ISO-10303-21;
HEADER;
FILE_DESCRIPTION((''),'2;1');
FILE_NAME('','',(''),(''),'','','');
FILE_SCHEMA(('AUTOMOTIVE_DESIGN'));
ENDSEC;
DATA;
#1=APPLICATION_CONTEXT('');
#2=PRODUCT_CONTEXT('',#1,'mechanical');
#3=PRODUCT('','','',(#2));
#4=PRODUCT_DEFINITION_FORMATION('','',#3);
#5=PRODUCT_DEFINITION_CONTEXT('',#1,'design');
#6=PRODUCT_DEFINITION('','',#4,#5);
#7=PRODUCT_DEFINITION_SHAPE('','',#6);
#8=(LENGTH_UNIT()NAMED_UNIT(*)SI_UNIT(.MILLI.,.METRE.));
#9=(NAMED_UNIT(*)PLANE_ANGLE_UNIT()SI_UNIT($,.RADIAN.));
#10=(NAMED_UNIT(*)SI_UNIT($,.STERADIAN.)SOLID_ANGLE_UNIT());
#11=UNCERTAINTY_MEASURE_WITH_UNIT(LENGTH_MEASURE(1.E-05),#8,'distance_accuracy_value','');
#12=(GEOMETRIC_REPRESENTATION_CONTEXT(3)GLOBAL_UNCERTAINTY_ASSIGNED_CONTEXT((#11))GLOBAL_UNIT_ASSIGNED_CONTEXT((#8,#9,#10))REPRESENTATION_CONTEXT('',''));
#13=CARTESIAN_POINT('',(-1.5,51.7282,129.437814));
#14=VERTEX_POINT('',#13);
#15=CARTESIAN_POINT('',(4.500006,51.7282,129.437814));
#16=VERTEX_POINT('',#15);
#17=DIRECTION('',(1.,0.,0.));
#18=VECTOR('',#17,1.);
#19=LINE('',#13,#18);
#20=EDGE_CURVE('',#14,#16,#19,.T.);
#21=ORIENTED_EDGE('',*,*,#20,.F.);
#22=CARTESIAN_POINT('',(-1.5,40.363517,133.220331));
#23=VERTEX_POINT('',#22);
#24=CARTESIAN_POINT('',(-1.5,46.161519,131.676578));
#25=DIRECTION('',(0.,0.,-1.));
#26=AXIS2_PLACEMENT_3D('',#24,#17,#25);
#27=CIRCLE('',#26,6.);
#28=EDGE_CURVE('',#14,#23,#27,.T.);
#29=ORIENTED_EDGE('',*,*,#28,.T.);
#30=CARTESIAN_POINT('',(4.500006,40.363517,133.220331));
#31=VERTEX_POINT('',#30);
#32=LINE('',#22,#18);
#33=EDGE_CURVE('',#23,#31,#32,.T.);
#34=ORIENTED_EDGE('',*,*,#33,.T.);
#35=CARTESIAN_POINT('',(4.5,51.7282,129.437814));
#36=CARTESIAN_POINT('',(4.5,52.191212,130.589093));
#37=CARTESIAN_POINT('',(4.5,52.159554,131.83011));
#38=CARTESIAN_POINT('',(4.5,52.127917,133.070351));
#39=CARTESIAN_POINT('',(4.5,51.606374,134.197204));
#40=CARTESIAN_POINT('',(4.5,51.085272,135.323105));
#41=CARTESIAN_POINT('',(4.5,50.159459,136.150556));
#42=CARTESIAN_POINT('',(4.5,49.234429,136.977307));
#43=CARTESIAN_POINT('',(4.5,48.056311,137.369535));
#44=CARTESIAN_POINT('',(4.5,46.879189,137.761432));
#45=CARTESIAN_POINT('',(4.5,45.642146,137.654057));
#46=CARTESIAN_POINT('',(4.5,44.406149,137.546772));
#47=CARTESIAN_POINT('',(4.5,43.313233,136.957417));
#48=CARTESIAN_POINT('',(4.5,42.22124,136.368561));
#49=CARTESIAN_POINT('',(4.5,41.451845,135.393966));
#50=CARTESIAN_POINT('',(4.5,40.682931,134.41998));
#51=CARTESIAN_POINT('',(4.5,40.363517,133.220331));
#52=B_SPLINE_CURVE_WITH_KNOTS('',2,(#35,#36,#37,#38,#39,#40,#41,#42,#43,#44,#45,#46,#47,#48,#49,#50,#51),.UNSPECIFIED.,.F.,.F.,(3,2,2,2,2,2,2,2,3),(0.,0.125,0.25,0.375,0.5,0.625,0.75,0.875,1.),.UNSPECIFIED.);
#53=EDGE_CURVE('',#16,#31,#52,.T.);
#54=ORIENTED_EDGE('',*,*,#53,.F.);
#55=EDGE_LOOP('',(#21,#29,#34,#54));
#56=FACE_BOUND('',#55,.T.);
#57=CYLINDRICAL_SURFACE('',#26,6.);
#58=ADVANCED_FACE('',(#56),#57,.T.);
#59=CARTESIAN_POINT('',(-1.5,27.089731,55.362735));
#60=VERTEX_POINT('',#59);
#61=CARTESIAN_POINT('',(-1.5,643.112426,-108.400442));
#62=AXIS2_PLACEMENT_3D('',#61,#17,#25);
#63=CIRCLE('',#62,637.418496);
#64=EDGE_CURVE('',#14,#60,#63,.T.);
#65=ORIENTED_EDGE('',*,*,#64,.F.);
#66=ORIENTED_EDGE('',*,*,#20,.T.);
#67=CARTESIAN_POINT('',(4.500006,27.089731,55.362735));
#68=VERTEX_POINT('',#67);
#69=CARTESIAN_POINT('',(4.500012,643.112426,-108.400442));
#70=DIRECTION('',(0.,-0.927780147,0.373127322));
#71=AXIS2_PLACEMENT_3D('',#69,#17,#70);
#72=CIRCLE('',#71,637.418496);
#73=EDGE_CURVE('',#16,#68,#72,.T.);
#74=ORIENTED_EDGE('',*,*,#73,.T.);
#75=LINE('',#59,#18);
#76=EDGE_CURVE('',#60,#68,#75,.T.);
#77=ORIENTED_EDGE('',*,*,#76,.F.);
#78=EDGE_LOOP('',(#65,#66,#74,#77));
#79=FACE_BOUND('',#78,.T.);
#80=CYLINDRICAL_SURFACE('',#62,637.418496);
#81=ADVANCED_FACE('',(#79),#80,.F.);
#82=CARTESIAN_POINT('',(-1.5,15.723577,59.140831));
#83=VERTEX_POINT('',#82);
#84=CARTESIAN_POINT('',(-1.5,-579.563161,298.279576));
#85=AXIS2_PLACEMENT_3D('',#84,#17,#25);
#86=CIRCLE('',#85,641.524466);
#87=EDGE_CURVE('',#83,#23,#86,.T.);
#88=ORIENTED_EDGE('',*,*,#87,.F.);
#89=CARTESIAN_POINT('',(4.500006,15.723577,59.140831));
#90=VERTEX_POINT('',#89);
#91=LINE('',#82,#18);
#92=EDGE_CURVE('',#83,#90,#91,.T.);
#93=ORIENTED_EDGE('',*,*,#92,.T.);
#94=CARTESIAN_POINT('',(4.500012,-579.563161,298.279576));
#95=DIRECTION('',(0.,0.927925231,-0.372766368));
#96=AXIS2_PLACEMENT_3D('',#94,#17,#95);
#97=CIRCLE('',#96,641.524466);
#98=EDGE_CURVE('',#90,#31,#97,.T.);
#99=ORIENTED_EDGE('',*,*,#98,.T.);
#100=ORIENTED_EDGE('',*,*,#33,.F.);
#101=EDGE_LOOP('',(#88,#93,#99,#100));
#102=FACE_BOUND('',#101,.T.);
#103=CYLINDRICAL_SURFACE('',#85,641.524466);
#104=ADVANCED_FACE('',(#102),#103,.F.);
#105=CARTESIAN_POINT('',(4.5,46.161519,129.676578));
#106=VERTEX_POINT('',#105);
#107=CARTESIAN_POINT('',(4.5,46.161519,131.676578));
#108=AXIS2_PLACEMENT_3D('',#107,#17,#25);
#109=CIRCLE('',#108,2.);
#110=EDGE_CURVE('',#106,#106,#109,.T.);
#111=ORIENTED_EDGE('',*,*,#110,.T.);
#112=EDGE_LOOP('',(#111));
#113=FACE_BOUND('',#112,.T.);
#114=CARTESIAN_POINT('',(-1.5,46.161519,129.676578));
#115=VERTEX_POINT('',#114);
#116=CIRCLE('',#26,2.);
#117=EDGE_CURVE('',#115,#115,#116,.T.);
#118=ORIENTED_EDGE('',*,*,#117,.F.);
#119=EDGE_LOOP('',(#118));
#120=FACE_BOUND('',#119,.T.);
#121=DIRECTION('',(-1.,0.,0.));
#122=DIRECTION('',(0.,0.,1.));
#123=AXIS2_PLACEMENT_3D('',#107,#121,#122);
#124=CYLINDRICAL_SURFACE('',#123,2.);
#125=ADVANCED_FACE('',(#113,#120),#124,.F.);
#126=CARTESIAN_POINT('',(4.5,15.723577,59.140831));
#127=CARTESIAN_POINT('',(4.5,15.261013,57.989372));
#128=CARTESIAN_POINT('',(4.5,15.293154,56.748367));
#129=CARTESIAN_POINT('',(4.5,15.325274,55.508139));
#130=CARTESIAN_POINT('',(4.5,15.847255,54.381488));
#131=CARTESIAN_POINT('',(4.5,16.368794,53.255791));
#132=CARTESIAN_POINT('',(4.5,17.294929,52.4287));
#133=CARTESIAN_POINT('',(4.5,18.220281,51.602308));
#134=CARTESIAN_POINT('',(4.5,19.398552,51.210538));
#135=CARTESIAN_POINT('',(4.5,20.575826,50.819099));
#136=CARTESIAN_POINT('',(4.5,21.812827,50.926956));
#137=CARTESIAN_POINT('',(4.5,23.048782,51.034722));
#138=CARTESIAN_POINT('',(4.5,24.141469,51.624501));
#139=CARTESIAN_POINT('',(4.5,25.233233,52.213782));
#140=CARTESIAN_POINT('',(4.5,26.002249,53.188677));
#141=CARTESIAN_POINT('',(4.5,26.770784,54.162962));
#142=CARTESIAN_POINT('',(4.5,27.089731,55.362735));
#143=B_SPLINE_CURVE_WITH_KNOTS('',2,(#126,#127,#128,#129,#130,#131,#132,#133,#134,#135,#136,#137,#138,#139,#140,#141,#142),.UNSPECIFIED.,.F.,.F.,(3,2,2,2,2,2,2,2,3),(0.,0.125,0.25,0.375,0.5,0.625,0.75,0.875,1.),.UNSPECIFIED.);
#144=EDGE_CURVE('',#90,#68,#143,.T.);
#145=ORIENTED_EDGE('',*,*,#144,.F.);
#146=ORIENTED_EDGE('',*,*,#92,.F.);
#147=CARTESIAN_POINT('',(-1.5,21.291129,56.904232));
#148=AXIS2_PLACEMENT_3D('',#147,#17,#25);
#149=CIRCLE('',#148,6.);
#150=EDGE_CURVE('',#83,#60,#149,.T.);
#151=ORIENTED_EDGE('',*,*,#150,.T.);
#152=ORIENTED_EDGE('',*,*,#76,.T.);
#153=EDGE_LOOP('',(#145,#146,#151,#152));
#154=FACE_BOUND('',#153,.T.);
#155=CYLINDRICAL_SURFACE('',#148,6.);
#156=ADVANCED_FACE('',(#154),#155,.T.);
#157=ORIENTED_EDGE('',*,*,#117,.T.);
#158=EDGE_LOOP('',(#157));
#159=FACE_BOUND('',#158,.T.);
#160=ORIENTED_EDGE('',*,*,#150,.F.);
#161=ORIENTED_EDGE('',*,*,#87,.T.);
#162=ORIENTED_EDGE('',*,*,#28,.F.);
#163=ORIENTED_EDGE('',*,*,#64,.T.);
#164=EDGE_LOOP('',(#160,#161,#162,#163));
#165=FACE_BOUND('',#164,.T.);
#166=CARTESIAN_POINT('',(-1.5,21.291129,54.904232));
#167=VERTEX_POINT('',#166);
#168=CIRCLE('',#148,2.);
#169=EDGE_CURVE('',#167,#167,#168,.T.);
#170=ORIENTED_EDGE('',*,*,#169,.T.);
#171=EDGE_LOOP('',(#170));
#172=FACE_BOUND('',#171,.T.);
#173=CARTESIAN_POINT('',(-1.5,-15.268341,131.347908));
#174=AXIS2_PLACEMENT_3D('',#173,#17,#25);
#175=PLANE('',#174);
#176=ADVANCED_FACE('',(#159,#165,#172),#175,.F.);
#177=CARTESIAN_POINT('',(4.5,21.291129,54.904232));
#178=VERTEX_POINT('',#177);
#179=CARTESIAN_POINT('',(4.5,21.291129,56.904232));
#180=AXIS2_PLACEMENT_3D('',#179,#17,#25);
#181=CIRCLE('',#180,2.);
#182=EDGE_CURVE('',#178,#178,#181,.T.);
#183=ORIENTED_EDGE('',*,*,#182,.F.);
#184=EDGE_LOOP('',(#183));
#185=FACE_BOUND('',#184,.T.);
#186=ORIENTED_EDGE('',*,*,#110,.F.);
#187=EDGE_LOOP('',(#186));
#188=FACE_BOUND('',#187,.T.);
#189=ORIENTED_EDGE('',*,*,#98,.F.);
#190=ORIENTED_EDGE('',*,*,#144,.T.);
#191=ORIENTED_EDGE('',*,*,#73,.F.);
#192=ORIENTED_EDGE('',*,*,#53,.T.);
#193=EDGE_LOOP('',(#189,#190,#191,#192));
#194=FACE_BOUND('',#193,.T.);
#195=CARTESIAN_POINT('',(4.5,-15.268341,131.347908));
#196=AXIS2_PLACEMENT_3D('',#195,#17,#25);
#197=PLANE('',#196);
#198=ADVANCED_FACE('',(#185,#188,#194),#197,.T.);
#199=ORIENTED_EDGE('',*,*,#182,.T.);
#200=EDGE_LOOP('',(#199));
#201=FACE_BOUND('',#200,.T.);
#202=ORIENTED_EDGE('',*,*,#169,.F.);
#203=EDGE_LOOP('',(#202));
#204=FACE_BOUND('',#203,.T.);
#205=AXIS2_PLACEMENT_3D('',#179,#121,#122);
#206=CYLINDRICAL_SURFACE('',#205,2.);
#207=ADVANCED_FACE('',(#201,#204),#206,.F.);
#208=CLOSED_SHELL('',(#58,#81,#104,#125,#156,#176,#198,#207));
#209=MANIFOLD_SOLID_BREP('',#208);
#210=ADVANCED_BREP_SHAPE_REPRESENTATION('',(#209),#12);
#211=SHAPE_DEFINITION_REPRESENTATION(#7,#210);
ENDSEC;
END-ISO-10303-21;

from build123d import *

# Parameters (mm, degrees)
SKETCH2_R               = 1
BOSS_EXTRUDE2_DEPTH     = 3
SCALE1_SCALE            = 2
CUT_EXTRUDE1_DEPTH      = 166.58723061
CUT_EXTRUDE1_DEPTH_BACK = 166.58723061


with BuildPart() as part:
    # Sketch2 → Boss-Extrude2 (new body)
    with BuildSketch(Plane.YZ):
        with BuildLine():
            ThreePointArc((19.533132157, 81.629722684), (24.352585485, 66.108442404), (37.508583242, 75.650821296))
            ThreePointArc((37.508583242, 75.650821296), (40.136593734, 92.158254486), (47.919515666, 106.951087747))
            ThreePointArc((47.919515666, 106.951087747), (43.100062338, 122.472368027), (29.944064581, 112.929989135))
            ThreePointArc((29.944064581, 112.929989135), (27.316054088, 96.422555945), (19.533132157, 81.629722684))
        make_face()
        with Locations(Location((39.943921454, 112.983491659, 0), (0, 0, 270))):
            Circle(SKETCH2_R, mode=Mode.SUBTRACT)
        with Locations(Location((27.508726369, 75.597318771, 0), (0, 0, 270))):
            Circle(SKETCH2_R, mode=Mode.SUBTRACT)
    extrude(amount=BOSS_EXTRUDE2_DEPTH)


with BuildPart() as part_1:
    # Scale1: scaled about (1.5, 33.726323911, 94.290405215)
    add(part.part.scale(SCALE1_SCALE).moved(Location((-1.5, -33.726323911, -94.290405215))))

    # Sketch3 → Cut-Extrude1 (cut, two sides: drawn at the far end of the back side and taken through both)
    # profile 1 of 2: a face of its own
    with BuildSketch(Plane.YZ.offset(4.5).offset(-CUT_EXTRUDE1_DEPTH_BACK)):
        with BuildLine():
            ThreePointArc((70.088301632, 113.579366365), (56.035739925, 86.869962872), (51.290699446, 57.064739901))
            ThreePointArc((51.290699446, 57.064739901), (11.822706174, 28.437603225), (-2.635653809, 75.001444065))
            ThreePointArc((-2.635653809, 75.001444065), (11.416907898, 101.710847558), (16.161948377, 131.516070529))
            ThreePointArc((16.161948377, 131.516070529), (55.629941649, 160.143207206), (70.088301632, 113.579366365))
        make_face()
        with BuildLine():
            ThreePointArc((26.16180525, 131.569573054), (20.905784266, 98.554706674), (5.339940403, 68.969040153))
            ThreePointArc((5.339940403, 68.969040153), (14.978847058, 37.926479592), (41.290842573, 57.011237377))
            ThreePointArc((41.290842573, 57.011237377), (46.546863557, 90.026103756), (62.11270742, 119.611770278))
            ThreePointArc((62.11270742, 119.611770278), (52.473800765, 150.654330838), (26.16180525, 131.569573054))
        make_face(mode=Mode.SUBTRACT)
    # profile 2 of 2: a face of its own
    with BuildSketch(Plane.YZ.offset(4.5).offset(-CUT_EXTRUDE1_DEPTH_BACK)):
        with BuildLine():
            ThreePointArc((62.11270742, 119.611770278), (52.473800765, 150.654330838), (26.16180525, 131.569573054))
            ThreePointArc((26.16180525, 131.569573054), (20.905784266, 98.554706674), (5.339940403, 68.969040153))
            ThreePointArc((5.339940403, 68.969040153), (14.978847058, 37.926479592), (41.290842573, 57.011237377))
            ThreePointArc((41.290842573, 57.011237377), (46.546863557, 90.026103756), (62.11270742, 119.611770278))
        make_face()
        with BuildLine():
            ThreePointArc((15.723577438, 59.140830534), (19.398551743, 51.210538273), (27.089730835, 55.362734759))
            ThreePointArc((27.089730835, 55.362734759), (38.273895697, 92.777815454), (51.72819988, 129.437814172))
            ThreePointArc((51.72819988, 129.437814172), (48.056310902, 137.369535475), (40.363517101, 133.220331331))
            ThreePointArc((40.363517101, 133.220331331), (29.171473339, 95.805416009), (15.723577438, 59.140830534))
        make_face(mode=Mode.SUBTRACT)
    extrude(amount=CUT_EXTRUDE1_DEPTH + CUT_EXTRUDE1_DEPTH_BACK, mode=Mode.SUBTRACT)


solid = part_1.part
